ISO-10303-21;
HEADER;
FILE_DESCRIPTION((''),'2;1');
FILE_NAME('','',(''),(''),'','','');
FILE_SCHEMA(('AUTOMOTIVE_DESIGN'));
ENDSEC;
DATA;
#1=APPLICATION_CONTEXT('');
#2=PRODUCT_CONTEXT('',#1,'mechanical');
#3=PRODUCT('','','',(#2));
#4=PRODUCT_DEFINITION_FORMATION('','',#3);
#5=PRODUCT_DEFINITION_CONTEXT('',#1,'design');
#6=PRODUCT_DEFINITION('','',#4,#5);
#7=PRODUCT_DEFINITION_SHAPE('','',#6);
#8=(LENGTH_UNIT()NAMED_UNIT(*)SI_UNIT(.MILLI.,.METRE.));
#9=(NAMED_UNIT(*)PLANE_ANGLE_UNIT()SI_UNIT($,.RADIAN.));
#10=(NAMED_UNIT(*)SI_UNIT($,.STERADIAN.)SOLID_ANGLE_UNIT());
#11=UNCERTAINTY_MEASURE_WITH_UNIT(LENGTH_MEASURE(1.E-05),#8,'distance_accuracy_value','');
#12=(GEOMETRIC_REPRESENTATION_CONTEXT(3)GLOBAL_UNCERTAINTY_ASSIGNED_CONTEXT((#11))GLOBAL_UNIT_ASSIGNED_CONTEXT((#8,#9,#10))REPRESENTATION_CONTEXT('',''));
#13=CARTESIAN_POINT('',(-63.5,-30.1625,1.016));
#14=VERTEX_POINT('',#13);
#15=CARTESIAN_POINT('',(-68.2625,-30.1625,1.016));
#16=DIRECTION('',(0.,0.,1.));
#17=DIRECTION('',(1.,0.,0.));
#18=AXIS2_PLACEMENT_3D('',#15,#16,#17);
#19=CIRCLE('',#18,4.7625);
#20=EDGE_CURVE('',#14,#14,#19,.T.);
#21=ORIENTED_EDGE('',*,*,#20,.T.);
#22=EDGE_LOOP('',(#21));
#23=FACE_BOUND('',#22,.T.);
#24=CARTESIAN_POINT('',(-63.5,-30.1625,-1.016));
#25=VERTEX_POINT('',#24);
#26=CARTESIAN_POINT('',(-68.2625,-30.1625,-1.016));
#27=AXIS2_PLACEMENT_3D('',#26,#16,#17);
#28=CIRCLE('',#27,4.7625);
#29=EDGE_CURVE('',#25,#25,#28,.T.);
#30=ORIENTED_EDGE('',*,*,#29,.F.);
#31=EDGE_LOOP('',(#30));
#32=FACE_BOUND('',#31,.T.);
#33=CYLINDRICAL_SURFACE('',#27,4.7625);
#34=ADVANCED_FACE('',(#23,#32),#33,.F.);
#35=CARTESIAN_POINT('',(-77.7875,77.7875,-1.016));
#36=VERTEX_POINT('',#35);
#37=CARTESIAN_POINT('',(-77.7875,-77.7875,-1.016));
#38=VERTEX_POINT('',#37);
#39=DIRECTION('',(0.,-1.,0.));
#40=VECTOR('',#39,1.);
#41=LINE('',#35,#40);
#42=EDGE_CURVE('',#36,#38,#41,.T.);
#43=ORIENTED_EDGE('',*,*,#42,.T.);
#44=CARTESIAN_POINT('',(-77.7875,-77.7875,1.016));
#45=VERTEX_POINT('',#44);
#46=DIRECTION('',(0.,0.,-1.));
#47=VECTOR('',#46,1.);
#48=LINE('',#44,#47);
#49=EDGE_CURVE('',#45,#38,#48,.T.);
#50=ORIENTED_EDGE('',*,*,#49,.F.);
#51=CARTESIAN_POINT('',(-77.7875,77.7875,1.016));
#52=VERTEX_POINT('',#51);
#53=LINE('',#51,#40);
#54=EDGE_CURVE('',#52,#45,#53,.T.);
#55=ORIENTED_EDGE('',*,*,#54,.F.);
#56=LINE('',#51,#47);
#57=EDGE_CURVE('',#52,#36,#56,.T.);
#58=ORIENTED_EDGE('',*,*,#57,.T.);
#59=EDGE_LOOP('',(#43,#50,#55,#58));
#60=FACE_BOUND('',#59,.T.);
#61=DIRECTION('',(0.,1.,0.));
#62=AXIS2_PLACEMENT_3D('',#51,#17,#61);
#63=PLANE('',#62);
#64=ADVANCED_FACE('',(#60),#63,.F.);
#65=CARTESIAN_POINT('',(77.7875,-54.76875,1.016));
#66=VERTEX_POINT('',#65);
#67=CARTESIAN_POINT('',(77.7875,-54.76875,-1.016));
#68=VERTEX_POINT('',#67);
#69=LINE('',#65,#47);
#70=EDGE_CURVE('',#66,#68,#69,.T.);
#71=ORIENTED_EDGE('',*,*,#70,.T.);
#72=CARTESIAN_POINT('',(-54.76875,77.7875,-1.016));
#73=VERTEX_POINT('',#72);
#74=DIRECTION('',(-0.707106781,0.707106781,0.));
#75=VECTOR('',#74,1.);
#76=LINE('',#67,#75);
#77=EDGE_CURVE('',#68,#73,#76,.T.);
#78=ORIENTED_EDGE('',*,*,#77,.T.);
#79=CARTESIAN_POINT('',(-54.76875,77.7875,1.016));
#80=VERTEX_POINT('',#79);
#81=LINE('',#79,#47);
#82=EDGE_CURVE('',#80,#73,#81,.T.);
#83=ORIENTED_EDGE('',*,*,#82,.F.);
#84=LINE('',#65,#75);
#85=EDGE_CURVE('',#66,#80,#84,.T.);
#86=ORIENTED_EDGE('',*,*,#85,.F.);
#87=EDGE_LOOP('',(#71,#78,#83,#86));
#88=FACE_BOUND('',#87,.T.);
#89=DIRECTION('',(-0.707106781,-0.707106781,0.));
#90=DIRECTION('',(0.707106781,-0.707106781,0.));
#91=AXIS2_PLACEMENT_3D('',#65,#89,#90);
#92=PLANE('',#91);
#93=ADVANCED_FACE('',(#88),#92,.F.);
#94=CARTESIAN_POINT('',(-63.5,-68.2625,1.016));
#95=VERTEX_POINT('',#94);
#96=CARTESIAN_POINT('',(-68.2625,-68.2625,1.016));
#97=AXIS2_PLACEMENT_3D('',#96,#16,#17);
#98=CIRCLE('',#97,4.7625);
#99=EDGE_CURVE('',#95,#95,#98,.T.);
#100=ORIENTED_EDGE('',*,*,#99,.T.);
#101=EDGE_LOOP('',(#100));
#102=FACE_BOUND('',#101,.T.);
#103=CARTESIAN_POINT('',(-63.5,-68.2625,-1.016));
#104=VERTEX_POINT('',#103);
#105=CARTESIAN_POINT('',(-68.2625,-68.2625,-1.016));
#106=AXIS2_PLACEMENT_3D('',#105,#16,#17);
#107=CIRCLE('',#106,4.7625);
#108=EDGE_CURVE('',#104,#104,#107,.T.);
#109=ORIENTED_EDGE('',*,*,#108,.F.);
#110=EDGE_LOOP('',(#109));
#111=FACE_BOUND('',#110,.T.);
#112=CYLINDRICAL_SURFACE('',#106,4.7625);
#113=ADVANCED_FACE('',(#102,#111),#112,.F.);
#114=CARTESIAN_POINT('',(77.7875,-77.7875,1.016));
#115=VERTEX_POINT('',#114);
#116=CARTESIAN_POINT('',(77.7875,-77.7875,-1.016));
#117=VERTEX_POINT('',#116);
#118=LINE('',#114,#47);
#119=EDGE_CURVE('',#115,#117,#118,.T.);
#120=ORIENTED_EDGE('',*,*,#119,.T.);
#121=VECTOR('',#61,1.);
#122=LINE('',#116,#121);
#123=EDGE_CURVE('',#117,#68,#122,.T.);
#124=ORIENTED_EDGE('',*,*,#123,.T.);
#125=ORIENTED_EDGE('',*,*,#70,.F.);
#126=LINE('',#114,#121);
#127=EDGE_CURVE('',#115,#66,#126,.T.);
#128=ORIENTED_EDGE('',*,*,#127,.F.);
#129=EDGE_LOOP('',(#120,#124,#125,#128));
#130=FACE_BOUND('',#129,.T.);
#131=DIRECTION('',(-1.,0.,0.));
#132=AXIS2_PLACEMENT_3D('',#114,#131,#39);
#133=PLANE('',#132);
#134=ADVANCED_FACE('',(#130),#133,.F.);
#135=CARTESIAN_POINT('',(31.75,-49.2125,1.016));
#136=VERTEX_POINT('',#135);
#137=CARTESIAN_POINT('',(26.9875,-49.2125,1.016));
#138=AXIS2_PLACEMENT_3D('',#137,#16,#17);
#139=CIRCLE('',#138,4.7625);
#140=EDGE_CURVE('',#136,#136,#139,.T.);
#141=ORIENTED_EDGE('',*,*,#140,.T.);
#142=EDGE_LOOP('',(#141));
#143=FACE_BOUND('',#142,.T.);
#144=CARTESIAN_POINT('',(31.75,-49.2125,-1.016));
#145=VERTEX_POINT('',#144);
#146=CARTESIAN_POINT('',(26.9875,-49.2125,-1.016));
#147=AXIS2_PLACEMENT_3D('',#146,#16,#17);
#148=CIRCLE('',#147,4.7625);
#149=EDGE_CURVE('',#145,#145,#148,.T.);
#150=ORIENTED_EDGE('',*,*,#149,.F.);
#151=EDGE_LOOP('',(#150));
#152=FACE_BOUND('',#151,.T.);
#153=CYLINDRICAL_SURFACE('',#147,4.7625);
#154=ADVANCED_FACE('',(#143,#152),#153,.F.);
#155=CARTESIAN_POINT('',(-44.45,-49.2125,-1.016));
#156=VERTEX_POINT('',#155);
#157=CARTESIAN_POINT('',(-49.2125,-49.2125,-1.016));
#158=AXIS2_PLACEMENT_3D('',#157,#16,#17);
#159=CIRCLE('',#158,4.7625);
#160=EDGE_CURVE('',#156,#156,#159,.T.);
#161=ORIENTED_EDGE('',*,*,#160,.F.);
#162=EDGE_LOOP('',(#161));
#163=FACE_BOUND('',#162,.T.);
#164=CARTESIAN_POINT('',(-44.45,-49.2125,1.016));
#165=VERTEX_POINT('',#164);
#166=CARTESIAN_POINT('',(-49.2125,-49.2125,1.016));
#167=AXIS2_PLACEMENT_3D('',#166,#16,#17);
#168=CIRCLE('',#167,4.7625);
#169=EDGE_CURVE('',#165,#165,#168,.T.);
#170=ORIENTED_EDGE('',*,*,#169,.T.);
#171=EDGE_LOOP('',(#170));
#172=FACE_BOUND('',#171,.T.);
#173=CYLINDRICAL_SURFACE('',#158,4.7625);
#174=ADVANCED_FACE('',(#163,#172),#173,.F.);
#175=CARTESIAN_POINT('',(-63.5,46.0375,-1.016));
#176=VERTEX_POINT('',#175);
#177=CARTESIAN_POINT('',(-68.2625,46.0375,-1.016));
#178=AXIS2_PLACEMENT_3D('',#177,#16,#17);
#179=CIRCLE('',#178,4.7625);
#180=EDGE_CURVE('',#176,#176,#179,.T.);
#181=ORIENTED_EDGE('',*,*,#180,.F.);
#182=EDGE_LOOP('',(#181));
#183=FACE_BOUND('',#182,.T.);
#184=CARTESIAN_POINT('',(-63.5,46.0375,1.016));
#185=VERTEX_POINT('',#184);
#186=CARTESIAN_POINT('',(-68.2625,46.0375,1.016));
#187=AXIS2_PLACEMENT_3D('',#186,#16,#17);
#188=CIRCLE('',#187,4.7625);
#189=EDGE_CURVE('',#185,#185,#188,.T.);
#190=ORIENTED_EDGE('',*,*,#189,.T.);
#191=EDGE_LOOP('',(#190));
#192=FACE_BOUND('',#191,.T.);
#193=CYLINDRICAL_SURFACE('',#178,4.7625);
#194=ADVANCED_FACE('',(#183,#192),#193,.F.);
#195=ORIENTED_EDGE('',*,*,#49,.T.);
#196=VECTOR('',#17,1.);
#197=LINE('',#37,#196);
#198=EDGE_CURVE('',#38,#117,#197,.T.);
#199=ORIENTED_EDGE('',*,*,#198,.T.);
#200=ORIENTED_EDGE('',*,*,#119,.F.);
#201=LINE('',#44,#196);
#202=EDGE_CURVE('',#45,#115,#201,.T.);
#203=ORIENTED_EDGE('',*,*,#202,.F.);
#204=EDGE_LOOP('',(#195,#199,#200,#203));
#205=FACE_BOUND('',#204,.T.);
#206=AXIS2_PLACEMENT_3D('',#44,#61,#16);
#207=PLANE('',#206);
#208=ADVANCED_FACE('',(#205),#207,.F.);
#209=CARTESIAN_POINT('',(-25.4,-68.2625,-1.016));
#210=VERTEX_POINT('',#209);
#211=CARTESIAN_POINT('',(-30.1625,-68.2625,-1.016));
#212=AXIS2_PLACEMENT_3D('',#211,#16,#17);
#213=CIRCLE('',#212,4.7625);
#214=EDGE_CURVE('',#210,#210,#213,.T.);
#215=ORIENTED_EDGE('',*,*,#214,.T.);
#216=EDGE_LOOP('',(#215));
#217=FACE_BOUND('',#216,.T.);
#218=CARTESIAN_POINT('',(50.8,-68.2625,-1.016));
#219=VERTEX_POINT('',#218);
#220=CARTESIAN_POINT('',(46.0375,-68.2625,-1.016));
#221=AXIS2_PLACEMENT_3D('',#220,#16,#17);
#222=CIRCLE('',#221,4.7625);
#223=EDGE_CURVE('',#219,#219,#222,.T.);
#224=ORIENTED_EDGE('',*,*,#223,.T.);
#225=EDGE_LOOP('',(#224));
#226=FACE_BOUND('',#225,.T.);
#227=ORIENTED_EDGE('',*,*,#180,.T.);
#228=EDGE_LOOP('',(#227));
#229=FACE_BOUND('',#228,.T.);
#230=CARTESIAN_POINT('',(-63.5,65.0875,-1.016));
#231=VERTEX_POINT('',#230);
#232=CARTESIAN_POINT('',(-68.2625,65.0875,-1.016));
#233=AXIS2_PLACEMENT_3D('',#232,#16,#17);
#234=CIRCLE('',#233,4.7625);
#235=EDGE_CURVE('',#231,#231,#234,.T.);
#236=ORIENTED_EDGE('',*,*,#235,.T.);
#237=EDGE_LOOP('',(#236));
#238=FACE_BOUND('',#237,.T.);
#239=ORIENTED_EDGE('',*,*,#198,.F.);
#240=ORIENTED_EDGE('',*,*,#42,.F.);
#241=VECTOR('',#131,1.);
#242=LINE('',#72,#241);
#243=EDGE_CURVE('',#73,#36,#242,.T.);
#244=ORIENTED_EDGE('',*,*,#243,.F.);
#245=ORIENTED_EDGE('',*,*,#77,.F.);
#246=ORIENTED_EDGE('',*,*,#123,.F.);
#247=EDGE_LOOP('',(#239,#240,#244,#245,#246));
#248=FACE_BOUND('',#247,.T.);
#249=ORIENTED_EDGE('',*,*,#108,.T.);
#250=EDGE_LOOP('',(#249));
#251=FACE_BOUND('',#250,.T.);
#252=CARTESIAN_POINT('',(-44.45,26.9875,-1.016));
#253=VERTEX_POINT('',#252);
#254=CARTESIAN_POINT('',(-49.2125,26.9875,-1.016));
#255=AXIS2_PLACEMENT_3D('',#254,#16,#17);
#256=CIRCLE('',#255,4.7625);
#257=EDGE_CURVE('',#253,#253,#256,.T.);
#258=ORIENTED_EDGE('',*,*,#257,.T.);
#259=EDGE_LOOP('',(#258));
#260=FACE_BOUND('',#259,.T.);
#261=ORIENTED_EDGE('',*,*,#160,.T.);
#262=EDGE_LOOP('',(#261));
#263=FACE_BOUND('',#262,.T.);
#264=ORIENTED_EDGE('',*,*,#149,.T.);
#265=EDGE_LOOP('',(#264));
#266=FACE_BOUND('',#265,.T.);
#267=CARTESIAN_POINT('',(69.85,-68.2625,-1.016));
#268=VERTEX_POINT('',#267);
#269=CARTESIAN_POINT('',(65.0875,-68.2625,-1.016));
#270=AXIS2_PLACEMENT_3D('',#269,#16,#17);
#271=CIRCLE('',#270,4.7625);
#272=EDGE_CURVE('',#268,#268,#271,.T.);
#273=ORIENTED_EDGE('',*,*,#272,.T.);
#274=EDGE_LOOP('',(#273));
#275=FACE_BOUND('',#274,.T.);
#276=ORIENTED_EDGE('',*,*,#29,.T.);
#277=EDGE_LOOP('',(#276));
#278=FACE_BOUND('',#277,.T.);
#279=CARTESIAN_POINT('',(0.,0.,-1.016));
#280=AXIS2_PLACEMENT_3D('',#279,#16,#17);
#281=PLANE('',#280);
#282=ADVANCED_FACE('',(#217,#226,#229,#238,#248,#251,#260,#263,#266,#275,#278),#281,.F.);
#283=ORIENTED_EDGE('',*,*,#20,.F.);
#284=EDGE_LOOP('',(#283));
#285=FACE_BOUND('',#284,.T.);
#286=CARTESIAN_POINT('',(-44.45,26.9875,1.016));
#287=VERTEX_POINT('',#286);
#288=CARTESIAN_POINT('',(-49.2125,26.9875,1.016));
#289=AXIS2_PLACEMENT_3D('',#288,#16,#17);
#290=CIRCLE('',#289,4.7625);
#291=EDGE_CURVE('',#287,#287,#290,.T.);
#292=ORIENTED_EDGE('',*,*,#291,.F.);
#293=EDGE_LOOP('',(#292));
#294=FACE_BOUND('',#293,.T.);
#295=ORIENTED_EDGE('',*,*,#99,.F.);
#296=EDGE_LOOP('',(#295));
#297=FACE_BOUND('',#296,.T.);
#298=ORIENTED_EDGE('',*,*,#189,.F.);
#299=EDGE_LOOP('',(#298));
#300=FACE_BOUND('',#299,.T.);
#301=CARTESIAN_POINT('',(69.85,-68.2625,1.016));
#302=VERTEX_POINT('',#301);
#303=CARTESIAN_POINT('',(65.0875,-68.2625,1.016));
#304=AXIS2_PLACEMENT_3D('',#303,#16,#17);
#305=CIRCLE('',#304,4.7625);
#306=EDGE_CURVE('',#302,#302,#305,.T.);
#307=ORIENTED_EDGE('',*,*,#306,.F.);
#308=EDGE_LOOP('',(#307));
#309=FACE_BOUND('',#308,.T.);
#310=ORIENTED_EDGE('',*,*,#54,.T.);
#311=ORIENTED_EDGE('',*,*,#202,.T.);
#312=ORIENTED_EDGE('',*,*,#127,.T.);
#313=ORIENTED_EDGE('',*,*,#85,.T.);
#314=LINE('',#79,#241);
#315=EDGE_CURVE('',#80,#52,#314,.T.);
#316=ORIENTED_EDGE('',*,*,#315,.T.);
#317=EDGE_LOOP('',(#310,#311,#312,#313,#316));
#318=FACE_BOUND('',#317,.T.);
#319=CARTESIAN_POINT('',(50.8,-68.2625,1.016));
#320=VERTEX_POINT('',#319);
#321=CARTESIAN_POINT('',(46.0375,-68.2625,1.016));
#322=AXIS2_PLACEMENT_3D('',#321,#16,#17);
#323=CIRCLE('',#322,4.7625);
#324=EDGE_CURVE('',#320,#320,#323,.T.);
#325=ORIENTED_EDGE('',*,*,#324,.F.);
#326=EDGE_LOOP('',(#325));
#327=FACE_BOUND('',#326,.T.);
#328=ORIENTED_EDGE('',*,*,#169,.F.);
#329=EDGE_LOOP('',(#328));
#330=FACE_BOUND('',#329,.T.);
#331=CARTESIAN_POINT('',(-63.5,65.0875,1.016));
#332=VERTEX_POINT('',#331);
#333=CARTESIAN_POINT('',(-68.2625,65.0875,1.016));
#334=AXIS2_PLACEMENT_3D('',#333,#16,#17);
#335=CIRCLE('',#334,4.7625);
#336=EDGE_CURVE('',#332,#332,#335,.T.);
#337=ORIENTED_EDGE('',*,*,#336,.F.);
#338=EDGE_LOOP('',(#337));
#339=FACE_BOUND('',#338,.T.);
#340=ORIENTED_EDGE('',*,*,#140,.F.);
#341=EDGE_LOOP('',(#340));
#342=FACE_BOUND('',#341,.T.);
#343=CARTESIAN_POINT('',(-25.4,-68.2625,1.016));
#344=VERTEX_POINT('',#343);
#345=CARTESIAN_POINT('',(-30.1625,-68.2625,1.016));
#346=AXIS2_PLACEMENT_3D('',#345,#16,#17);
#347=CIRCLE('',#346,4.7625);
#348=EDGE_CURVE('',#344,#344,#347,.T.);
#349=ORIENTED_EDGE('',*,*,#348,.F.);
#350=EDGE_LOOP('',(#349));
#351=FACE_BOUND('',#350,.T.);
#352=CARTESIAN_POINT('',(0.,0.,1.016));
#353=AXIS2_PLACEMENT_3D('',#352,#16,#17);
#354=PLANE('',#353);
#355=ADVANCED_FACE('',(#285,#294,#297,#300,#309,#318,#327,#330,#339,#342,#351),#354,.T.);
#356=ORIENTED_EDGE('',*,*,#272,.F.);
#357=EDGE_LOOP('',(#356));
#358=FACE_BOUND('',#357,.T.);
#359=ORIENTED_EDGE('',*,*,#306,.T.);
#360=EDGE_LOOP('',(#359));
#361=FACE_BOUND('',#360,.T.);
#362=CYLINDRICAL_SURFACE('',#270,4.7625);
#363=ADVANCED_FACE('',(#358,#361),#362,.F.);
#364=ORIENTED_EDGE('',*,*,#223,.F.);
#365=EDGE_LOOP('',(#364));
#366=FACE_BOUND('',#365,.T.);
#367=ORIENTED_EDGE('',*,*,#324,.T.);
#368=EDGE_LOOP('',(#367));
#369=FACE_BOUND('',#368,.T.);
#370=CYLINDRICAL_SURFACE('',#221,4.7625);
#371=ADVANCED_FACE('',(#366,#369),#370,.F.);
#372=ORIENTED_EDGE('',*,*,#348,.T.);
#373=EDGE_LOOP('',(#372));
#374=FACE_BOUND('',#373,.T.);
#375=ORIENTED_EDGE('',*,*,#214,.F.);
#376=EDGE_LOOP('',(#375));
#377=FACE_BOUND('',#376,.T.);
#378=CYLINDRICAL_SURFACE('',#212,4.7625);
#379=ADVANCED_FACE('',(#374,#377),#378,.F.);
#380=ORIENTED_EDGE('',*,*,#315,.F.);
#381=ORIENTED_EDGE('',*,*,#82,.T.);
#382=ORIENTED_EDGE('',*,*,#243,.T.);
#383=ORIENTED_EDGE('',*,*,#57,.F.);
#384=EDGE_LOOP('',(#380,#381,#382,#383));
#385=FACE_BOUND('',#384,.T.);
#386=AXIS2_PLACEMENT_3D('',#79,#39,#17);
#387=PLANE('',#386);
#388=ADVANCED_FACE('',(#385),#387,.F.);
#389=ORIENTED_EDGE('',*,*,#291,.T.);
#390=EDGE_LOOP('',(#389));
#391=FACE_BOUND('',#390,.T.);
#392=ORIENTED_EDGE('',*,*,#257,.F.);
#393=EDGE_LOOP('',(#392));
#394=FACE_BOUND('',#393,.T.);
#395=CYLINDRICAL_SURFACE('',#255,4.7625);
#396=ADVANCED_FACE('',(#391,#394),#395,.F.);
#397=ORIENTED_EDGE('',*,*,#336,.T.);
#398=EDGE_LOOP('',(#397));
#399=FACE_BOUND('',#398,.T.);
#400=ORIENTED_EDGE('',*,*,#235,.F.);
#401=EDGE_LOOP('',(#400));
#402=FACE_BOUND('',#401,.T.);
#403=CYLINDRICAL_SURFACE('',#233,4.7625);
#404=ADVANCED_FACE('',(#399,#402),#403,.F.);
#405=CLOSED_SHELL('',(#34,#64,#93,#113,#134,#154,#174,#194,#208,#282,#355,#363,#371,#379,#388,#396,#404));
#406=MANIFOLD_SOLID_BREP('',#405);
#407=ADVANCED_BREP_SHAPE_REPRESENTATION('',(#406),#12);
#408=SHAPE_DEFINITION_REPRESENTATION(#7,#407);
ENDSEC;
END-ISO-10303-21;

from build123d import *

# Parameters (mm, degrees)
BOSS_EXTRUDE1_DEPTH      = 1.016
BOSS_EXTRUDE1_DEPTH_BACK = 1.016
SKETCH5_R                = 4.7625
CUT_EXTRUDE1_DEPTH       = 2.016
CUT_EXTRUDE1_DEPTH_BACK  = 2.016


with BuildPart() as part:
    # Sketch4 → Boss-Extrude1 (new body, two sides)
    with BuildSketch(Plane.XY) as boss_extrude1_sk:
        Polygon((-54.76875, 77.7875), (-77.7875, 77.7875), (-77.7875, -77.7875), (77.7875, -77.7875), (77.7875, -54.76875), align=None)
    extrude(amount=BOSS_EXTRUDE1_DEPTH)
    extrude(boss_extrude1_sk.sketch, amount=-BOSS_EXTRUDE1_DEPTH_BACK)

    # Sketch5 → Cut-Extrude1 (cut, two sides)
    with BuildSketch(Plane.XY) as cut_extrude1_sk:
        with Locations((-68.2625, 65.0875)):
            Circle(SKETCH5_R)
        with Locations((-68.2625, 46.0375)):
            Circle(SKETCH5_R)
        with Locations((-68.2625, -30.1625)):
            Circle(SKETCH5_R)
        with Locations((-49.2125, 26.9875)):
            Circle(SKETCH5_R)
        with Locations((-49.2125, -49.2125)):
            Circle(SKETCH5_R)
        with Locations((-68.2625, -68.2625)):
            Circle(SKETCH5_R)
        with Locations((-30.1625, -68.2625)):
            Circle(SKETCH5_R)
        with Locations((46.0375, -68.2625)):
            Circle(SKETCH5_R)
        with Locations((26.9875, -49.2125)):
            Circle(SKETCH5_R)
        with Locations((65.0875, -68.2625)):
            Circle(SKETCH5_R)
    extrude(amount=CUT_EXTRUDE1_DEPTH, mode=Mode.SUBTRACT)
    extrude(cut_extrude1_sk.sketch, amount=-CUT_EXTRUDE1_DEPTH_BACK, mode=Mode.SUBTRACT)


solid = part.part
